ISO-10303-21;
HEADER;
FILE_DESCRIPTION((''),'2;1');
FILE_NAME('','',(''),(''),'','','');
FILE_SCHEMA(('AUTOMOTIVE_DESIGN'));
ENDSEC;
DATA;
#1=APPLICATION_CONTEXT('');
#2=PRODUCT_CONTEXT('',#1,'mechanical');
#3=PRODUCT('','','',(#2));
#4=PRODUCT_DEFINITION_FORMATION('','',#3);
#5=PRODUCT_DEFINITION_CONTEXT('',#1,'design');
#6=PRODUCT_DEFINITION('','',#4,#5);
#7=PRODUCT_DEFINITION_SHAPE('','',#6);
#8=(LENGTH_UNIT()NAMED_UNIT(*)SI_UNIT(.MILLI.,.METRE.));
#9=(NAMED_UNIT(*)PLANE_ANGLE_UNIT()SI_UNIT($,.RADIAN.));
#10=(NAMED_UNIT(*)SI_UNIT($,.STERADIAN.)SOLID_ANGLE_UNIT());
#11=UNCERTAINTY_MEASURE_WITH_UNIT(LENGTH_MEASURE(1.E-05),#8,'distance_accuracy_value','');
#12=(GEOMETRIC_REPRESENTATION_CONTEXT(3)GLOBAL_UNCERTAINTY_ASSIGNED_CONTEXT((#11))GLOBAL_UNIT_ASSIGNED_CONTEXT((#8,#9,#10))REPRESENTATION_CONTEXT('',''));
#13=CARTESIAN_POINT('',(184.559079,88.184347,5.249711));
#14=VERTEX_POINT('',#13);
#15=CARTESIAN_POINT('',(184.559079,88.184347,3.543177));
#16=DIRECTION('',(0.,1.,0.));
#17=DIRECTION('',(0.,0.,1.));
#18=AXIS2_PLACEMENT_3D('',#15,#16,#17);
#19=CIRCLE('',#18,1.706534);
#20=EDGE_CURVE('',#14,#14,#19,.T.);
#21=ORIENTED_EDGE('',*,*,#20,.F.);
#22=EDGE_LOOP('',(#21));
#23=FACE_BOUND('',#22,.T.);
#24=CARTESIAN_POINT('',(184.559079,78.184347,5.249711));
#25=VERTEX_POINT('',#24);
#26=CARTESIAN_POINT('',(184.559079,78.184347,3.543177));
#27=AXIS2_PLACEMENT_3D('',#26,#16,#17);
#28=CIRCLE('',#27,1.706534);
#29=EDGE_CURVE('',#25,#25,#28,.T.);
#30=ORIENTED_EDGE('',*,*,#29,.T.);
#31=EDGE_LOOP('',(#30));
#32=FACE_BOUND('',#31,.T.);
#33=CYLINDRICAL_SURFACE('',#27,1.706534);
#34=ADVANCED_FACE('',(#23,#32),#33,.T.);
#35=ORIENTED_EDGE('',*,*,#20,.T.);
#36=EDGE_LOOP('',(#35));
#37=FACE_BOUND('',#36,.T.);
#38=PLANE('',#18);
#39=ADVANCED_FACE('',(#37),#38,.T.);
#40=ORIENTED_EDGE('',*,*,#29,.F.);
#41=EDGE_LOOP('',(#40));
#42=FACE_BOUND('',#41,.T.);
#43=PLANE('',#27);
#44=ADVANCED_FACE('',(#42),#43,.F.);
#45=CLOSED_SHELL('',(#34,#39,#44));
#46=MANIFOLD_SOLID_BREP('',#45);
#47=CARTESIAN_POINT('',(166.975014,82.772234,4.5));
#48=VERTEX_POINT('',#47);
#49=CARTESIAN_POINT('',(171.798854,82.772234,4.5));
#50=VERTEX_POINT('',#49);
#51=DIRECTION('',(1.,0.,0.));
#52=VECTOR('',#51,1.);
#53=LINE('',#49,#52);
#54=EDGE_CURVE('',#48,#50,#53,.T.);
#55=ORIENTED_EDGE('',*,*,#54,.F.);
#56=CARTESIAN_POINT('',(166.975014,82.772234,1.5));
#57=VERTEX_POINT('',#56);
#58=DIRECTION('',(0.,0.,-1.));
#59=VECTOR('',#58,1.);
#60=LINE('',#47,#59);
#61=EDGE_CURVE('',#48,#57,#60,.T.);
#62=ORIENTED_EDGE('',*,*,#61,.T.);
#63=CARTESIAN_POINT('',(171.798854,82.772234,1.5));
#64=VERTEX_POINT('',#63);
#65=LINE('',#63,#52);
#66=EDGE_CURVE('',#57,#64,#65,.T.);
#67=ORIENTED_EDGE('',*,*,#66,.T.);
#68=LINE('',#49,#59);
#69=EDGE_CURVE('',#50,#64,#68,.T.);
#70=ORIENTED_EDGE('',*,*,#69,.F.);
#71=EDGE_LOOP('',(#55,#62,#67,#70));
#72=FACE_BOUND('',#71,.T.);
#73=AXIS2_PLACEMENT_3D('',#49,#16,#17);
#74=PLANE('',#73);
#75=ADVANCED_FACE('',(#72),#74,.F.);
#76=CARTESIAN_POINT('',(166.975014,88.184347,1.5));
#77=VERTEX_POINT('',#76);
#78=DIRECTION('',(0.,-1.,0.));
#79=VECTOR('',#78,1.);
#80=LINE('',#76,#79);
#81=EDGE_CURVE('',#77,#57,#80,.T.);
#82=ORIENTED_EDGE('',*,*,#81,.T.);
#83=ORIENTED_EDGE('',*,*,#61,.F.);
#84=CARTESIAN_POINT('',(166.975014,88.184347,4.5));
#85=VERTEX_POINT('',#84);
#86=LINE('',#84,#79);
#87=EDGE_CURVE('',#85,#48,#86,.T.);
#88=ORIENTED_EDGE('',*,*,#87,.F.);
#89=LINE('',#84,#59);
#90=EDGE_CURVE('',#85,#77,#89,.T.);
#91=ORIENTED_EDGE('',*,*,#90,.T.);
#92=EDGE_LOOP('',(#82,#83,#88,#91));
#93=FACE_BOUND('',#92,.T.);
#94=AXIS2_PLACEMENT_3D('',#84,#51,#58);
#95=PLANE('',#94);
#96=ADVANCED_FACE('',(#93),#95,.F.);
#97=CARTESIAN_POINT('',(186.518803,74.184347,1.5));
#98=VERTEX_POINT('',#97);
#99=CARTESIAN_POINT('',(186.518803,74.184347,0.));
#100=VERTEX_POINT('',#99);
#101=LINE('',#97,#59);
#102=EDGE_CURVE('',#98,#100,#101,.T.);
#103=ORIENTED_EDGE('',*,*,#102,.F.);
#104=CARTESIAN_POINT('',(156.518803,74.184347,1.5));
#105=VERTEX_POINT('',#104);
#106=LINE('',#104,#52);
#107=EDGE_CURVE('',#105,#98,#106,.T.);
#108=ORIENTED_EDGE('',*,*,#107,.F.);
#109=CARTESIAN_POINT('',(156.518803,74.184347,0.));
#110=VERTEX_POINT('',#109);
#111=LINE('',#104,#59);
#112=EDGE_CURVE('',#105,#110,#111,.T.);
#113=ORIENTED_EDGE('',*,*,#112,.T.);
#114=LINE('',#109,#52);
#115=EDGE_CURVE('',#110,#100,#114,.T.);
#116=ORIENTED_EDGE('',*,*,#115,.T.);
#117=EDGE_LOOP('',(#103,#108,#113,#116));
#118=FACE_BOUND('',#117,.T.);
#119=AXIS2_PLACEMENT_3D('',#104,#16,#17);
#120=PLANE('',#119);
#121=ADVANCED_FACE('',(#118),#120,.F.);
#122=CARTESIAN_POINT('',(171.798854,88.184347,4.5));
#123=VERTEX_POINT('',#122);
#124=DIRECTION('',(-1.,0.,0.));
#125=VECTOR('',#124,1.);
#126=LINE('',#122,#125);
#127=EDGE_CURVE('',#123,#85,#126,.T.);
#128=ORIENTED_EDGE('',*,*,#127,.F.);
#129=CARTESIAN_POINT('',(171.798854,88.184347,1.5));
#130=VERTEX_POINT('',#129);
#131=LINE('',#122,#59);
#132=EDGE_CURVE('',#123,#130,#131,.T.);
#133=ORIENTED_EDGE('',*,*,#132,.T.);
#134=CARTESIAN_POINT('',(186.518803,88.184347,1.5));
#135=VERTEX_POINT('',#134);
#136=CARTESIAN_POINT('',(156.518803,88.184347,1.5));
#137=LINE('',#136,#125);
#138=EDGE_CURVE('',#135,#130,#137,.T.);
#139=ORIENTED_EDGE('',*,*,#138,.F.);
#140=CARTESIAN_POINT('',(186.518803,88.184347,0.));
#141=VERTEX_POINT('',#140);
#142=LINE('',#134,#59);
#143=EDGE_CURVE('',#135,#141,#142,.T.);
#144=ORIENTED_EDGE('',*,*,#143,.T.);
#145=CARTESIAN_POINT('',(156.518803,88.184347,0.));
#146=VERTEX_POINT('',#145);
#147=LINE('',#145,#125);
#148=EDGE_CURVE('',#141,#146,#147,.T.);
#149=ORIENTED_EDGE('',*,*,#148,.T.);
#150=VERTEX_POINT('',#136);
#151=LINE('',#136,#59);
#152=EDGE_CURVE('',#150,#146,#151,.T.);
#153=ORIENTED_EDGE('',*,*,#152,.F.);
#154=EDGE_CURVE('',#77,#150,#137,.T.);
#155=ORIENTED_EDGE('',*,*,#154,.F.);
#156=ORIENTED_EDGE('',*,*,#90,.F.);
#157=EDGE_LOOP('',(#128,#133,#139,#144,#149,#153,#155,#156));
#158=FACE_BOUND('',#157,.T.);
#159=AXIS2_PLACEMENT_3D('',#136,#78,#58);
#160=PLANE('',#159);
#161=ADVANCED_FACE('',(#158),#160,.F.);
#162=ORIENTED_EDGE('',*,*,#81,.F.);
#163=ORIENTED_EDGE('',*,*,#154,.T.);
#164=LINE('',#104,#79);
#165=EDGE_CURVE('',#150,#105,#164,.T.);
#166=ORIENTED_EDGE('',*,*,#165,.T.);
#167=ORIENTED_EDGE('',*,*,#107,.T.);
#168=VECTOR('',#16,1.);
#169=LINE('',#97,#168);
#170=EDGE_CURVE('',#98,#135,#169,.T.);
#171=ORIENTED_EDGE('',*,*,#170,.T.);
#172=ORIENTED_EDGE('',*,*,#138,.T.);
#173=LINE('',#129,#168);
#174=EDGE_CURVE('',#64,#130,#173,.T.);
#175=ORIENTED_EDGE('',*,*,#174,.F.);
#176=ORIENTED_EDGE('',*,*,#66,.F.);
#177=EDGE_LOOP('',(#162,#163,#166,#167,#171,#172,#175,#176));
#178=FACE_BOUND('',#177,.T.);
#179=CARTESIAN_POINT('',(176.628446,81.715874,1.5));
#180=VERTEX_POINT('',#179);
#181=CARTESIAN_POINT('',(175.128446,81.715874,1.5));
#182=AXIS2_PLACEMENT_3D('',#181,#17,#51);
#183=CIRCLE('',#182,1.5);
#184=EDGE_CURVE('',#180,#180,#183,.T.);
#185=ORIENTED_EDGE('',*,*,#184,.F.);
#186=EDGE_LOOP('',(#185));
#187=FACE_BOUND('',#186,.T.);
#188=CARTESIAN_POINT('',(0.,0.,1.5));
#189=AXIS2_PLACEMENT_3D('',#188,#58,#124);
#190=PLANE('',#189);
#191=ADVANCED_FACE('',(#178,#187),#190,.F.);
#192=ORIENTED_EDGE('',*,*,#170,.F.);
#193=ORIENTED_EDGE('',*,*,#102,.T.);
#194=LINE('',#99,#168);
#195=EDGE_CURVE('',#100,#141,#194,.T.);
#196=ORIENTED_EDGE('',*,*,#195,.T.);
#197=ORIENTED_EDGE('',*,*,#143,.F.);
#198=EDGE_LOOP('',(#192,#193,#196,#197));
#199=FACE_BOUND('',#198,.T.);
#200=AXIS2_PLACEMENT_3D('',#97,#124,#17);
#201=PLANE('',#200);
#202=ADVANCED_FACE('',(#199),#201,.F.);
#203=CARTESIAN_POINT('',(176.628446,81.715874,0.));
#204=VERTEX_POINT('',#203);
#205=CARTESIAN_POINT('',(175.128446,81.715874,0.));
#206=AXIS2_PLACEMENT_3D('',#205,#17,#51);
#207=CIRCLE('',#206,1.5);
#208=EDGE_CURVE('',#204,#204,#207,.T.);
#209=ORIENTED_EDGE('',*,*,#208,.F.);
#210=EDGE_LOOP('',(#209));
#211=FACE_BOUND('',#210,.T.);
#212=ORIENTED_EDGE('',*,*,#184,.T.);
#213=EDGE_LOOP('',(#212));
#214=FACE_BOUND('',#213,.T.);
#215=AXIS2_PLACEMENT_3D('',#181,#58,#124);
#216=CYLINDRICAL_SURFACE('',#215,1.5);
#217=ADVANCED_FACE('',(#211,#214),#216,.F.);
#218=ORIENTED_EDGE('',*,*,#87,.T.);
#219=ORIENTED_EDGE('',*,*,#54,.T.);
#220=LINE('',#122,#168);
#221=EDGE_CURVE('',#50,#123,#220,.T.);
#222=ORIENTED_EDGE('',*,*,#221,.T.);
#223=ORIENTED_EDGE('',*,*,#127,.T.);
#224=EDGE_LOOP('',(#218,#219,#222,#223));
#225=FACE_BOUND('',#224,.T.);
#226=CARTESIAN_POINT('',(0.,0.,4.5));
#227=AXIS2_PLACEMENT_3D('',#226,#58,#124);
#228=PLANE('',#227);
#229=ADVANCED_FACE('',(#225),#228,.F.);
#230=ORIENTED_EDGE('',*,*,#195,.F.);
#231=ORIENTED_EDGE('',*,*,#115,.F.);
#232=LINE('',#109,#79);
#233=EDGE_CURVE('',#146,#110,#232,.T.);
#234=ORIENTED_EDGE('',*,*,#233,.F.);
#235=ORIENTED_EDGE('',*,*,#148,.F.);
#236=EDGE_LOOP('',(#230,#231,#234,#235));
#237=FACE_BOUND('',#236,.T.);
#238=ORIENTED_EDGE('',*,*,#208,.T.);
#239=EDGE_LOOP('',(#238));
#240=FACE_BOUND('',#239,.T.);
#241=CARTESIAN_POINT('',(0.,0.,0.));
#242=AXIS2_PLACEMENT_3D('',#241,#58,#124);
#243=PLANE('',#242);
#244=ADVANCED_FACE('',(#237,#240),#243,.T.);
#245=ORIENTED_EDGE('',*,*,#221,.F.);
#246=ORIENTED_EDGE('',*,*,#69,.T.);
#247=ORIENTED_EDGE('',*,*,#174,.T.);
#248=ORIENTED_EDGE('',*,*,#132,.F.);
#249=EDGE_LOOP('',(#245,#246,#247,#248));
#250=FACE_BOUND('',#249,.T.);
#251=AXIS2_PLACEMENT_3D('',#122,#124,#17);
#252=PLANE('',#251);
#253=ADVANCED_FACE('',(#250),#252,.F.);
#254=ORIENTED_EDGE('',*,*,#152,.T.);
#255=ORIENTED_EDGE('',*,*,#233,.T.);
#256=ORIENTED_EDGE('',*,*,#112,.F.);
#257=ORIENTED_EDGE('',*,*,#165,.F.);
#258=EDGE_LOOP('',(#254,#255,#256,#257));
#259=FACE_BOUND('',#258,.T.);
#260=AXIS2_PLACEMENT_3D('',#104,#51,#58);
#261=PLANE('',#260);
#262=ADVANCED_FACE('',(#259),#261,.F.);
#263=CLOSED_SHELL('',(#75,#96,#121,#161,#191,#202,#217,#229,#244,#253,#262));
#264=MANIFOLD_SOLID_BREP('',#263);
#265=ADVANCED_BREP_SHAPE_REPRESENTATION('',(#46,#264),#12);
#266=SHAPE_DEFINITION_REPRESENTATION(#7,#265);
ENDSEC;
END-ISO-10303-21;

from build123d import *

# Parameters (mm, degrees)
SKETCH1_W           = 30
SKETCH1_H           = 14
SKETCH1_R           = 1.5
BOSS_EXTRUDE1_DEPTH = 1.5
SKETCH2_W           = 4.823839664
SKETCH2_H           = 5.412112793
BOSS_EXTRUDE2_DEPTH = 3
SKETCH3_R           = 1.706533857
BOSS_EXTRUDE3_DEPTH = 10


with BuildPart() as part:
    # Sketch1 → Boss-Extrude1 (new body)
    with BuildSketch(Plane.XY):
        with Locations((171.518802712, 81.184347227)):
            Rectangle(SKETCH1_W, SKETCH1_H)
        with Locations((175.128446175, 81.715874023)):
            Circle(SKETCH1_R, mode=Mode.SUBTRACT)
    extrude(amount=BOSS_EXTRUDE1_DEPTH)

    # Sketch2 → Boss-Extrude2 (add)
    with BuildSketch(Plane.XY.offset(1.5)):
        with Locations((169.386934045, 85.478290831)):
            Rectangle(SKETCH2_W, SKETCH2_H)
    extrude(amount=BOSS_EXTRUDE2_DEPTH)


with BuildPart() as body_2:
    # Sketch3 → Boss-Extrude3 (new body)
    with BuildSketch(Plane(origin=(0, 88.184347227, 0), x_dir=(1, 0, 0), z_dir=(0, 1, 0))):
        with Locations((184.559078961, -3.543177059)):
            Circle(SKETCH3_R)
    extrude(amount=-BOSS_EXTRUDE3_DEPTH)


solid = Compound([part.part, body_2.part])
